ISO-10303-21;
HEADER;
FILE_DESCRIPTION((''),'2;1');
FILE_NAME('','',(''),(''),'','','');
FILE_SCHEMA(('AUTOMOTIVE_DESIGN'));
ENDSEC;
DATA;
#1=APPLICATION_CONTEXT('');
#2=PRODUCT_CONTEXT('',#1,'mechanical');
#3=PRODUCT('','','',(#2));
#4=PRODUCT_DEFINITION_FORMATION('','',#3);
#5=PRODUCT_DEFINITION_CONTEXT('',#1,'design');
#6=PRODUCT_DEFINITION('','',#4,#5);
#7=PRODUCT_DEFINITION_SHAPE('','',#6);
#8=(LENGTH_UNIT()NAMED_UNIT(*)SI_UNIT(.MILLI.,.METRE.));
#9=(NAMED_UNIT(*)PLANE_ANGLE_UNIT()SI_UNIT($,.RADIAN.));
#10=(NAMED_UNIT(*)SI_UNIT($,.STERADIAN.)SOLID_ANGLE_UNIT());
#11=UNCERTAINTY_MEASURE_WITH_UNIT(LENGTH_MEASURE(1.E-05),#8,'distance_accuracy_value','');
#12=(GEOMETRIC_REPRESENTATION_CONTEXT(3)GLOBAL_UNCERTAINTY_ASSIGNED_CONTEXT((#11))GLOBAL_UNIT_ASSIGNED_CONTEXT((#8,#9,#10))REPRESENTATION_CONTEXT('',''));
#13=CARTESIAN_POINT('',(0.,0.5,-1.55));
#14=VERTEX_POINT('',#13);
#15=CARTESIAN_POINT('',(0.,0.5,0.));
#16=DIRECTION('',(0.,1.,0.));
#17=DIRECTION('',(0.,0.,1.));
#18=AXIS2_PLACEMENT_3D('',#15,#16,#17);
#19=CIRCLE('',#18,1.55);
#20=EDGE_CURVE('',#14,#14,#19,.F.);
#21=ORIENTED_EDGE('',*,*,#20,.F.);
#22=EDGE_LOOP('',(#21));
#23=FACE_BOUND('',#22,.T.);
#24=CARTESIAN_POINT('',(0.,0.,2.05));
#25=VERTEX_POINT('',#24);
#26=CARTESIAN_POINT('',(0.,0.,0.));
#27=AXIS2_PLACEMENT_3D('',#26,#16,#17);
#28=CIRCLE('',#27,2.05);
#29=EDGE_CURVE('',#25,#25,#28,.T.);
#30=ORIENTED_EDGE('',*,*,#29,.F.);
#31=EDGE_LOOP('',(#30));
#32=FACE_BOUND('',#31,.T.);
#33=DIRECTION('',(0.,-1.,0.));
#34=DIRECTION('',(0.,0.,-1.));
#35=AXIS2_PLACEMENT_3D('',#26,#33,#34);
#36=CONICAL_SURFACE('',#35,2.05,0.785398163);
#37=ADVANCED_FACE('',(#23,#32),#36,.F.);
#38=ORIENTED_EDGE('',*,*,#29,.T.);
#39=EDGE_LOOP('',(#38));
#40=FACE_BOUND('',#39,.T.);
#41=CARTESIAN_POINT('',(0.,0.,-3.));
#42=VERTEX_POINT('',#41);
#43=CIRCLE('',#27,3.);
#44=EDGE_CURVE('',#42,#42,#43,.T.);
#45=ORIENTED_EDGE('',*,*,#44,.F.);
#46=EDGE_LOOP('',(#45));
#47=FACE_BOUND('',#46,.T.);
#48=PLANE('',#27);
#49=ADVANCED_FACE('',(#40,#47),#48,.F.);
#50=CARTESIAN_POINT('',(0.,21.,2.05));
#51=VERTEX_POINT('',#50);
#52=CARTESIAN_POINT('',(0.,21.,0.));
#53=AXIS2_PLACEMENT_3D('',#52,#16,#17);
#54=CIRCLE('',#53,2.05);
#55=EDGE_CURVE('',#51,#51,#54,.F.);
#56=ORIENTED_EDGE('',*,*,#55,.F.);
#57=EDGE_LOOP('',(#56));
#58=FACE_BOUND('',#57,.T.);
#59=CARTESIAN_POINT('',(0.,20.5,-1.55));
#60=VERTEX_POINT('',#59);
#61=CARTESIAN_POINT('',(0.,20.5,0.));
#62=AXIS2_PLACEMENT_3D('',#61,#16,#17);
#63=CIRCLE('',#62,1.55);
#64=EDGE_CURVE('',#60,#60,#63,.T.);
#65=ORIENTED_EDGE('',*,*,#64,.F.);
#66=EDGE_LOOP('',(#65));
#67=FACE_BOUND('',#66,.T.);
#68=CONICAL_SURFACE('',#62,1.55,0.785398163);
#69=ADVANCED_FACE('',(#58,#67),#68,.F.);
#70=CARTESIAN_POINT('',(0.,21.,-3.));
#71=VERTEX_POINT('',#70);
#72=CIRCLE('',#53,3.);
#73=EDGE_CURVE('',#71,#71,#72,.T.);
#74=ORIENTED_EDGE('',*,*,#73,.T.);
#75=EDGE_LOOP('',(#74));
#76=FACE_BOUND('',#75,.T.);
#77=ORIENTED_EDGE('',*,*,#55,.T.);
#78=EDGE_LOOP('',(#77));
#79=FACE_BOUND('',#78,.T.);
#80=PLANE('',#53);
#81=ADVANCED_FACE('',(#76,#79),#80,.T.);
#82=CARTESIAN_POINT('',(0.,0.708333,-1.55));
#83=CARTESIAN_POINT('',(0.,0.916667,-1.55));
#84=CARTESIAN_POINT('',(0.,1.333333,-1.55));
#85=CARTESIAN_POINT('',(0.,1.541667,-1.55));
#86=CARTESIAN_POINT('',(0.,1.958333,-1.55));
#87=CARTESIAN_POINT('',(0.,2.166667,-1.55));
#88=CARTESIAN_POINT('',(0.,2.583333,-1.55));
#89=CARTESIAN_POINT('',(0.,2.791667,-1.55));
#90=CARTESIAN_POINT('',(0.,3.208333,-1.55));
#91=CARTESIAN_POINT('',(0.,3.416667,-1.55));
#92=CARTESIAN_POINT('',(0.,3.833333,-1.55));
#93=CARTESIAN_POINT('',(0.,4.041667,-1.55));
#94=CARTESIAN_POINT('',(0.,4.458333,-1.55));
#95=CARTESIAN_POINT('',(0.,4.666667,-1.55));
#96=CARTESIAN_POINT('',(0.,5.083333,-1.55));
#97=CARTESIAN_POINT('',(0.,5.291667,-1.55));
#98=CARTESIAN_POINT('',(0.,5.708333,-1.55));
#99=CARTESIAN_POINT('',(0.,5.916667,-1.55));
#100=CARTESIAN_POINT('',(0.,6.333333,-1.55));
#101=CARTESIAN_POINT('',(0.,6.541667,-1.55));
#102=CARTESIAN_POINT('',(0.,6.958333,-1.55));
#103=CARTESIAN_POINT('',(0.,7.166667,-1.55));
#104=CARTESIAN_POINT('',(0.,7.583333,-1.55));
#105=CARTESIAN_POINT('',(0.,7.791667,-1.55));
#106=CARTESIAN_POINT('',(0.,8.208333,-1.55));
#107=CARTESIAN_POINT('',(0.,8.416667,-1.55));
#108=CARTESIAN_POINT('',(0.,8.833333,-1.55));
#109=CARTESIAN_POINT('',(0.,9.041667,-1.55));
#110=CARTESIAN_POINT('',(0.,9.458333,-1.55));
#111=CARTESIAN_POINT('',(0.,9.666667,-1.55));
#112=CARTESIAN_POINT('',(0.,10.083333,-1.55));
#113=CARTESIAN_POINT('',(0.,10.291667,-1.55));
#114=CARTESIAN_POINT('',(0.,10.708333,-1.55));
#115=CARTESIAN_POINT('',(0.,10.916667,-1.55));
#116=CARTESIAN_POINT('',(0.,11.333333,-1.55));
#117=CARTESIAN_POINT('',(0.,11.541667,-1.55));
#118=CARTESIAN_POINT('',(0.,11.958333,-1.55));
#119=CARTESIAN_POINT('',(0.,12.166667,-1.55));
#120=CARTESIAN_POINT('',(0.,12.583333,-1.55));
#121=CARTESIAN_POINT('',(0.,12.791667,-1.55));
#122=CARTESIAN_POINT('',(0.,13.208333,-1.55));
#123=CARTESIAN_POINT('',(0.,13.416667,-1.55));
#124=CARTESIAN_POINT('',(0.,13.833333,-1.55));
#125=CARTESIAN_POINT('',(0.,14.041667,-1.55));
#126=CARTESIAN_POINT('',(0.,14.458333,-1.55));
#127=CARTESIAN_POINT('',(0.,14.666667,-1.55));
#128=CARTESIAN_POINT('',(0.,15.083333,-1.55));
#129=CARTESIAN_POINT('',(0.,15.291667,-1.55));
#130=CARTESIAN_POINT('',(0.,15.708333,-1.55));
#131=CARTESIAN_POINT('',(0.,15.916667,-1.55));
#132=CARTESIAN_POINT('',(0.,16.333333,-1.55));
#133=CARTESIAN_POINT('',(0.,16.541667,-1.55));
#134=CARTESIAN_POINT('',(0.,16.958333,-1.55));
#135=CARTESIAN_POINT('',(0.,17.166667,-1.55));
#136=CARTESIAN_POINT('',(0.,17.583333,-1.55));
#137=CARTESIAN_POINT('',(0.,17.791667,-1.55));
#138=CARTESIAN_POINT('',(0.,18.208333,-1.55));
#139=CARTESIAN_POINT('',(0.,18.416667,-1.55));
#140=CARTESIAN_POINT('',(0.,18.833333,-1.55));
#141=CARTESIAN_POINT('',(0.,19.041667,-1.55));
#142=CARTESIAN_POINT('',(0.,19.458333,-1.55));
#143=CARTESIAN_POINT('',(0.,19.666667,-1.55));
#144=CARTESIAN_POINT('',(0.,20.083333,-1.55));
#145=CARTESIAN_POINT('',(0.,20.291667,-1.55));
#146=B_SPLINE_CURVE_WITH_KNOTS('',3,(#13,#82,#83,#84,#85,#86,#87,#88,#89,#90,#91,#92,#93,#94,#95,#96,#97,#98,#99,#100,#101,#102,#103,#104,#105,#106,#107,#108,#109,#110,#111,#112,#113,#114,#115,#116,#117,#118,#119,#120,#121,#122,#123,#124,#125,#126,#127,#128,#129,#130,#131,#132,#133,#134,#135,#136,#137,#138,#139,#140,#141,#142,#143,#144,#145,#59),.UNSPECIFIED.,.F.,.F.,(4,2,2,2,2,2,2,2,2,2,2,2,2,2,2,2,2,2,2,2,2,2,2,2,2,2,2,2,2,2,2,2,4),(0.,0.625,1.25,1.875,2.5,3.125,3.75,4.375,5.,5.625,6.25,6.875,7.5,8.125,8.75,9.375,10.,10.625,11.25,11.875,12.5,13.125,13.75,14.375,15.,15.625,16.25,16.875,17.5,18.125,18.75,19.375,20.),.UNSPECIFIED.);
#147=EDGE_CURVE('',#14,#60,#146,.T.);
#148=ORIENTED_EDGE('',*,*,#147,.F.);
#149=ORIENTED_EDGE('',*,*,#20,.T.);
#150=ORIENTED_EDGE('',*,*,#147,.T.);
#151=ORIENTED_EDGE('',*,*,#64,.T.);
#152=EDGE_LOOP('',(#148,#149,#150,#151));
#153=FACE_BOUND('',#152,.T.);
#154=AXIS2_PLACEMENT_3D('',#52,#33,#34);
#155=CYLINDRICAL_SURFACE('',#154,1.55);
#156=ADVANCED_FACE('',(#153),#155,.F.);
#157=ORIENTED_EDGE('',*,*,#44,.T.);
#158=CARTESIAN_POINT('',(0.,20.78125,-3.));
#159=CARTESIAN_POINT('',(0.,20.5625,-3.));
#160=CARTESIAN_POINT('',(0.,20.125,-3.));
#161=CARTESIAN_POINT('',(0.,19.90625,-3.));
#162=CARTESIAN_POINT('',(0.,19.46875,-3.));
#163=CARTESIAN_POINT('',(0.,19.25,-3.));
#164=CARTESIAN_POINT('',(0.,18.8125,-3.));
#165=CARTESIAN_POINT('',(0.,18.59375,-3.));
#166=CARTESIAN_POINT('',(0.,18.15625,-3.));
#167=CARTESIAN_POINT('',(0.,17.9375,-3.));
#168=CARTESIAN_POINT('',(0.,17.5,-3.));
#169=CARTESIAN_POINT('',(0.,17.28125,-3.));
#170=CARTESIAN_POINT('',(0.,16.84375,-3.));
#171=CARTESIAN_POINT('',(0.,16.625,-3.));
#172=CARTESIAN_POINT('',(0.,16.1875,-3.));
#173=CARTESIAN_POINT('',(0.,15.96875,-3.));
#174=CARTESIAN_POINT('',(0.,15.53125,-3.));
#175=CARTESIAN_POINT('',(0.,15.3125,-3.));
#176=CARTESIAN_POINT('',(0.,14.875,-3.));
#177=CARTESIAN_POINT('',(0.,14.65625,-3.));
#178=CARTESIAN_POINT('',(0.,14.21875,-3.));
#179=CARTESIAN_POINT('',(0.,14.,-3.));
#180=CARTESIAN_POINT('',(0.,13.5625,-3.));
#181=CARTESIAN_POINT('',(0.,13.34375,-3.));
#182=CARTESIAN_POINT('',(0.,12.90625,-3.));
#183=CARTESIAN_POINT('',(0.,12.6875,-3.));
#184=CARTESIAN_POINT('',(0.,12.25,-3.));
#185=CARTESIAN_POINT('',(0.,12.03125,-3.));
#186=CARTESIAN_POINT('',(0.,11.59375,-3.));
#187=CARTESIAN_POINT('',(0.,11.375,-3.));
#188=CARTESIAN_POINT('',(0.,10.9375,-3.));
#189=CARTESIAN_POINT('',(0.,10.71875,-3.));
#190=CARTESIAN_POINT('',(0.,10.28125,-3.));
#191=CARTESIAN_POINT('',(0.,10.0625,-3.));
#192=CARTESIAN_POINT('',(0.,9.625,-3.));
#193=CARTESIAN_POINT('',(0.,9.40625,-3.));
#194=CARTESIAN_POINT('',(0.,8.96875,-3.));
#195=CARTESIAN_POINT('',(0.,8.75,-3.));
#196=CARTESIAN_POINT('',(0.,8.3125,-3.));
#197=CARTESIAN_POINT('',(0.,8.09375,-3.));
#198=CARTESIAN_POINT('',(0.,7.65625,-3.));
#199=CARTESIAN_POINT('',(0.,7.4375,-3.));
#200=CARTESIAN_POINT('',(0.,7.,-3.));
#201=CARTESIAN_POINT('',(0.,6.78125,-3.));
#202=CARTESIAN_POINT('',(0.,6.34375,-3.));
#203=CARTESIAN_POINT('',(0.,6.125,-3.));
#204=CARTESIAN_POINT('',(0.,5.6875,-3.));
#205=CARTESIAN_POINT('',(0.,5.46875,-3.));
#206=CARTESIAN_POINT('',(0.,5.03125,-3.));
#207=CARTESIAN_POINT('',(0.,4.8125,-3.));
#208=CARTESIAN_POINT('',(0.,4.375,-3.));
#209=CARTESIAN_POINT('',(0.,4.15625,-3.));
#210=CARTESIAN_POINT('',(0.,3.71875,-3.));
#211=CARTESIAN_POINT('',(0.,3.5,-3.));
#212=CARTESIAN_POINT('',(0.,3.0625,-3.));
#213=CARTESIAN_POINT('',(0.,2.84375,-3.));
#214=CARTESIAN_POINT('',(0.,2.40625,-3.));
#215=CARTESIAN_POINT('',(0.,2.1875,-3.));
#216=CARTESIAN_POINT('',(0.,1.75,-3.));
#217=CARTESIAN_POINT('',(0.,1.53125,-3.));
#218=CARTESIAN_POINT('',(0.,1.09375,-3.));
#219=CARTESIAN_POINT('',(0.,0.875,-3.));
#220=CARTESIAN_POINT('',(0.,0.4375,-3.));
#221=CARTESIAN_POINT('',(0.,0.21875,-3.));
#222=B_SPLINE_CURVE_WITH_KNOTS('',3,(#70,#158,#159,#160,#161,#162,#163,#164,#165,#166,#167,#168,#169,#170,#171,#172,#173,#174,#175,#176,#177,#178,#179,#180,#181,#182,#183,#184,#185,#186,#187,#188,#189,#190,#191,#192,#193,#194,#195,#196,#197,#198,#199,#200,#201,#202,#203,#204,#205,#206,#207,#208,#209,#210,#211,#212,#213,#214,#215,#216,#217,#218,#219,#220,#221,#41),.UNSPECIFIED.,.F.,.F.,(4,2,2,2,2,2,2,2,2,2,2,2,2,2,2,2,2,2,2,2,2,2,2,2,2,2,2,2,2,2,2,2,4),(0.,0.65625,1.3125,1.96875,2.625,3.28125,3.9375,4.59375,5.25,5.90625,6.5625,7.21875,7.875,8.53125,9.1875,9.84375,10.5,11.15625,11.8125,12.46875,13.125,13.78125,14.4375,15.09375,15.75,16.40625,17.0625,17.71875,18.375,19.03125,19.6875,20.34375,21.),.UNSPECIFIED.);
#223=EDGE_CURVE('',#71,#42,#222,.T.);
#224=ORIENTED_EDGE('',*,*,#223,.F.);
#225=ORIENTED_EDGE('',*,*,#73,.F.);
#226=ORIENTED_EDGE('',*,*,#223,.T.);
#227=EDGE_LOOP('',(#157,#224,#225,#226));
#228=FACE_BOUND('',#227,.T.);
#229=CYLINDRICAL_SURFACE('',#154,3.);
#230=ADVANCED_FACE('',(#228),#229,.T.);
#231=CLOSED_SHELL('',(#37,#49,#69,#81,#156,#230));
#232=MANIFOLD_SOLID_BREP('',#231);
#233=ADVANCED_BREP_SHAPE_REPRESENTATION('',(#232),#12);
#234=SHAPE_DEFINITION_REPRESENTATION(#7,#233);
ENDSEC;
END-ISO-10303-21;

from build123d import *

# Parameters (mm, degrees)
SKIZZE1_R                       = 3
SKIZZE1_R_2                     = 1.55
AUFSATZ_LINEAR_AUSTRAGEN1_DEPTH = 21
FASE1_SIZE                      = 0.5


with BuildPart() as part:
    # Skizze1 → Aufsatz-Linear austragen1 (new body)
    with BuildSketch(Plane(origin=(0, 0, 0), x_dir=(1, 0, 0), z_dir=(0, 1, 0))):
        with Locations(Location((0, 0, 0), (0, 0, 90))):
            Circle(SKIZZE1_R)
        with Locations(Location((0, 0, 0), (0, 0, 90))):
            Circle(SKIZZE1_R_2, mode=Mode.SUBTRACT)
    extrude(amount=AUFSATZ_LINEAR_AUSTRAGEN1_DEPTH)

    # Fase1
    fase1_edges = [part.edges().sort_by_distance(p)[0] for p in [
        (0, 0, 1.55),
        (0, 21, 1.55),
    ]]
    chamfer(fase1_edges, length=FASE1_SIZE)


solid = part.part
